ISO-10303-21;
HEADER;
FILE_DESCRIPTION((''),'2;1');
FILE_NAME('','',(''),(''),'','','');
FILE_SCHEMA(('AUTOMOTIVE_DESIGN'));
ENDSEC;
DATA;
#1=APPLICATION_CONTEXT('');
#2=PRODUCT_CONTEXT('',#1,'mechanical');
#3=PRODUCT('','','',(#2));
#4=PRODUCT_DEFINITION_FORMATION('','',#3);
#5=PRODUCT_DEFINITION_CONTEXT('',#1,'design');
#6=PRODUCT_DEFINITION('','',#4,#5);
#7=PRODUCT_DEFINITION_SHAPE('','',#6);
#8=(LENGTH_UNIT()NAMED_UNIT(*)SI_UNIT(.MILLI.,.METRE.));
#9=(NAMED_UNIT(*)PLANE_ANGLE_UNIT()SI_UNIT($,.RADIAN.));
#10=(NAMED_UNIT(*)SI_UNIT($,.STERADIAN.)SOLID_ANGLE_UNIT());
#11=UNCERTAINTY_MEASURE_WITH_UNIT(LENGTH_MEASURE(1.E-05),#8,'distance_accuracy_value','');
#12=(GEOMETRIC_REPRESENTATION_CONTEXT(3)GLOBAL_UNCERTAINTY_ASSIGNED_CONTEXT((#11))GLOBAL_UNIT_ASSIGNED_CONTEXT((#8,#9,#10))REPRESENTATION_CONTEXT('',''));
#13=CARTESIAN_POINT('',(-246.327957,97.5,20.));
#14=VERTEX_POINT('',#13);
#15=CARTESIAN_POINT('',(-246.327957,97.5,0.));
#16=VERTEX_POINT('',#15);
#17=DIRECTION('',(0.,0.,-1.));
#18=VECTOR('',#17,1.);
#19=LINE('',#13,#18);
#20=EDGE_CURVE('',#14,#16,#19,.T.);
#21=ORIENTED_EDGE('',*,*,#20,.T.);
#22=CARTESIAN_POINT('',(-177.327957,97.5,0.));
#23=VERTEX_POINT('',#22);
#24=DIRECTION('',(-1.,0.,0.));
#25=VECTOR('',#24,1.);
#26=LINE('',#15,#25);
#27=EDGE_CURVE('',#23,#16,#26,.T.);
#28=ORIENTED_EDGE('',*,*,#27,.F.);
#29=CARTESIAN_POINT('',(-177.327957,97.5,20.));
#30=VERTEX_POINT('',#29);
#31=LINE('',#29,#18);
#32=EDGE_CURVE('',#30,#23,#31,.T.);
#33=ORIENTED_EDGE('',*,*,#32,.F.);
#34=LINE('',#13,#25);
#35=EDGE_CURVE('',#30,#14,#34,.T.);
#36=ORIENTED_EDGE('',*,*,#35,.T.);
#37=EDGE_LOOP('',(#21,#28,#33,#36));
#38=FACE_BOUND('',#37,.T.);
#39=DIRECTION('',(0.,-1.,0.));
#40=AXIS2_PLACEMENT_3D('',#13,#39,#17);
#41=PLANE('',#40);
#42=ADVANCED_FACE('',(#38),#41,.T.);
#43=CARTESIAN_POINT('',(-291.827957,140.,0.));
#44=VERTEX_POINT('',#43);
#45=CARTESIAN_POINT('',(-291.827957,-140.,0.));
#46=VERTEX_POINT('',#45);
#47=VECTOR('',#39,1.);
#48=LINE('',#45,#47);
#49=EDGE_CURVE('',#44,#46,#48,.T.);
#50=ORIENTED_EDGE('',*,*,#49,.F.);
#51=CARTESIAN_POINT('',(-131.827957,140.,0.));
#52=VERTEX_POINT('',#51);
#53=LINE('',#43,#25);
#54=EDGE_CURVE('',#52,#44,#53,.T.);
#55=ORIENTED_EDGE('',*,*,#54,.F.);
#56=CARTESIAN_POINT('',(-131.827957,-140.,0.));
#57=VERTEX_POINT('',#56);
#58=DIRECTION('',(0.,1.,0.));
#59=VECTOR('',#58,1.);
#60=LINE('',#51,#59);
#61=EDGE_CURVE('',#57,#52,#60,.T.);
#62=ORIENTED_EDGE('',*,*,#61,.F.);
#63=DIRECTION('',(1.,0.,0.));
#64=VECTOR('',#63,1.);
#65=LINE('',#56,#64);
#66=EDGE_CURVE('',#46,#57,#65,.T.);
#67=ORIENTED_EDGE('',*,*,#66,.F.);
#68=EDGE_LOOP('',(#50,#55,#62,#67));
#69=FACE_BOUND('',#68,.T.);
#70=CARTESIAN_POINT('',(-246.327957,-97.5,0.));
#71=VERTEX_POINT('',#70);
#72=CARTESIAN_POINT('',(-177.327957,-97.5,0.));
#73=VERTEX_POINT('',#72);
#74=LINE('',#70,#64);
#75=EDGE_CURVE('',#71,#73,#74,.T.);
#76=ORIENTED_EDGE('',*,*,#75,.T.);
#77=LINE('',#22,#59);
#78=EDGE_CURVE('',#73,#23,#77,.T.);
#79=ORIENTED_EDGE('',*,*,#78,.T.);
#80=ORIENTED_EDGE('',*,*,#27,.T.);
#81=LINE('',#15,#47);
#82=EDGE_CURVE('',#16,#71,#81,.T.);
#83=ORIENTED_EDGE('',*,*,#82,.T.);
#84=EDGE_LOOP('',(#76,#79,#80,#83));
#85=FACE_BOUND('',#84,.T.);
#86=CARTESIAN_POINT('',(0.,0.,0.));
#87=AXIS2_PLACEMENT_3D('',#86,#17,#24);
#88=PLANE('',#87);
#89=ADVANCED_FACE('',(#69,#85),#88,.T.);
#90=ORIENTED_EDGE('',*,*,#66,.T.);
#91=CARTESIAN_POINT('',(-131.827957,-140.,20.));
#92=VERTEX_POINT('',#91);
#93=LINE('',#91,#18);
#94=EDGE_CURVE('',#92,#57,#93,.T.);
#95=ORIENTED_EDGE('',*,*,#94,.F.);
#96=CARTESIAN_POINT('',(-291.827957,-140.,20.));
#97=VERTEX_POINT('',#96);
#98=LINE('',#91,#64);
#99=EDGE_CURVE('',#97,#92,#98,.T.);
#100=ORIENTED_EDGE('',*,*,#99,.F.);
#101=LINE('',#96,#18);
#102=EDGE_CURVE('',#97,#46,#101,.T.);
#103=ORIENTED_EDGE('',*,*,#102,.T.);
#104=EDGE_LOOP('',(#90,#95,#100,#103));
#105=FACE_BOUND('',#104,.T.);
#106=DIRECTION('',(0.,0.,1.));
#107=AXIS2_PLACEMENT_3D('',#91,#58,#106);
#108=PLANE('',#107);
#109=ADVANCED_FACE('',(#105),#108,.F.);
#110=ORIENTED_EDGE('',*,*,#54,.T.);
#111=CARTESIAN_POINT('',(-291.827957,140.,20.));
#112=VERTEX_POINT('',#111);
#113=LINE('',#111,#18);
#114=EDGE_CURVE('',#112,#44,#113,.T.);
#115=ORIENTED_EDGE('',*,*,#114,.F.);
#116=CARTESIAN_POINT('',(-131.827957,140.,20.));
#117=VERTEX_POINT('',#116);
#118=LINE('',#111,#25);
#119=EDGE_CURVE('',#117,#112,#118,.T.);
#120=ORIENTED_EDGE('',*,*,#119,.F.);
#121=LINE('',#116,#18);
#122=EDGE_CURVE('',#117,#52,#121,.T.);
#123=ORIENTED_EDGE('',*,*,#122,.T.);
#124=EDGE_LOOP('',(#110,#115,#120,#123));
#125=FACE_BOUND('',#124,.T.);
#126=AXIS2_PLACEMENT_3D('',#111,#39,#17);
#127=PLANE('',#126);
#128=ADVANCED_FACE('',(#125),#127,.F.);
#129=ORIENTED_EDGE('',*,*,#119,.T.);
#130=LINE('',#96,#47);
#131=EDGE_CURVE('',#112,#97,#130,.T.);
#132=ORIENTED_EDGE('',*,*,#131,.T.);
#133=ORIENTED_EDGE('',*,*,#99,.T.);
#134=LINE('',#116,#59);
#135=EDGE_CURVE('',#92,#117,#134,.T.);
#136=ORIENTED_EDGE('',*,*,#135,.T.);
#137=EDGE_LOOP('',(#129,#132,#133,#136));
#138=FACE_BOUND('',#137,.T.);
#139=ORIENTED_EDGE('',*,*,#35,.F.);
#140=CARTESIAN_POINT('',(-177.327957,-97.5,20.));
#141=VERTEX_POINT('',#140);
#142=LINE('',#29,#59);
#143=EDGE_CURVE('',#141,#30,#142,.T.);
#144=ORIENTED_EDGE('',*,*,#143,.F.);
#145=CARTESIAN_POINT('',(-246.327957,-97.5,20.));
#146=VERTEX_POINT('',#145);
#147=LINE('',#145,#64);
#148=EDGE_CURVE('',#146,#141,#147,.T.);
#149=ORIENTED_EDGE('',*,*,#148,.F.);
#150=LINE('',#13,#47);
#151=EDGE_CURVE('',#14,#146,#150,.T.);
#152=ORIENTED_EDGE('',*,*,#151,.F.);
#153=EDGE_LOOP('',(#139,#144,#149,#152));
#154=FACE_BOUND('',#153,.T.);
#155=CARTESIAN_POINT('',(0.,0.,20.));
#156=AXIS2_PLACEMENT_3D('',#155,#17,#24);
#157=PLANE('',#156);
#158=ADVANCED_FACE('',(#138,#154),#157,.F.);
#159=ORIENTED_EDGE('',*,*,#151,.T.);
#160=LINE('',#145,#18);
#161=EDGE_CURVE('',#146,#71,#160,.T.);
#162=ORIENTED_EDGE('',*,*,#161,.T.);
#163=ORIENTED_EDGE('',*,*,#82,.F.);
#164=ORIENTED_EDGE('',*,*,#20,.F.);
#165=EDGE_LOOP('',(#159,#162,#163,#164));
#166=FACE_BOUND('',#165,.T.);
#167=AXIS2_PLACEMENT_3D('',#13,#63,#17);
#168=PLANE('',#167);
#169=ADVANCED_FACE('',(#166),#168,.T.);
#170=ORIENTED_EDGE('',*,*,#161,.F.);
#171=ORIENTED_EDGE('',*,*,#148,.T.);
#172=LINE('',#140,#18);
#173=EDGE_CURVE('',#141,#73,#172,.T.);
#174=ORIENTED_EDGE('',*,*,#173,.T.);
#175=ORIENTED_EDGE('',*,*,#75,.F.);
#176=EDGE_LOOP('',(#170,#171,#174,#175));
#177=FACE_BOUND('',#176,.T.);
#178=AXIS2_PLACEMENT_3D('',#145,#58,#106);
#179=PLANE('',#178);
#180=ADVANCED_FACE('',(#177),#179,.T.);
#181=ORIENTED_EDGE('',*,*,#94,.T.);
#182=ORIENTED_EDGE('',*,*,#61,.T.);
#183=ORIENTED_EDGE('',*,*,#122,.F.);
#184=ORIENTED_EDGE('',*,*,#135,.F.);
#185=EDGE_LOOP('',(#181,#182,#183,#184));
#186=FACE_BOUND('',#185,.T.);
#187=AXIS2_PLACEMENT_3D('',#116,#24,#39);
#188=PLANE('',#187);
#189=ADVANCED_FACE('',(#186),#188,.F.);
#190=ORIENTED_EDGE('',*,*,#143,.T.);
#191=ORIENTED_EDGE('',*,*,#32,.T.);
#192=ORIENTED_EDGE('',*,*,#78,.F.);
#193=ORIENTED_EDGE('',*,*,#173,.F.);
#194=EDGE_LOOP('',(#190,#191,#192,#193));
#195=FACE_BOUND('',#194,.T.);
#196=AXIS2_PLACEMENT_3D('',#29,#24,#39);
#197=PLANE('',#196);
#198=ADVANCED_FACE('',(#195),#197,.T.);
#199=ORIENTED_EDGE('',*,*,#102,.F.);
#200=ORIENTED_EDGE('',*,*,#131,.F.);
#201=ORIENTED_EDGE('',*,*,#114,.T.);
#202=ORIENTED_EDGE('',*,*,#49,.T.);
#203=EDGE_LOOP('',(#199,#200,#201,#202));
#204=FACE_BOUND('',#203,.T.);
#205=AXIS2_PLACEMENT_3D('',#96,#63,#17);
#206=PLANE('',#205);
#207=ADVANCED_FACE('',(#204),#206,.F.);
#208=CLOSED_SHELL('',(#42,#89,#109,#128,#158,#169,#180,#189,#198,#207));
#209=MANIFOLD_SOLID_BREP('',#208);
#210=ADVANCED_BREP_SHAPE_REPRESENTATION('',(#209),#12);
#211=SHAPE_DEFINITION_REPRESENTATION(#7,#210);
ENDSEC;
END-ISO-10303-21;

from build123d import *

# Parameters (mm, degrees)
SKETCH1_W           = 160
SKETCH1_H           = 280
SKETCH1_W_2         = 69
SKETCH1_H_2         = 195
BOSS_EXTRUDE1_DEPTH = 20


with BuildPart() as part:
    # Sketch1 → Boss-Extrude1 (new body)
    with BuildSketch(Plane.XY):
        with Locations((-211.827956989, 0)):
            Rectangle(SKETCH1_W, SKETCH1_H)
        with Locations((-211.827956989, 0)):
            Rectangle(SKETCH1_W_2, SKETCH1_H_2, mode=Mode.SUBTRACT)
    extrude(amount=BOSS_EXTRUDE1_DEPTH)


solid = part.part
